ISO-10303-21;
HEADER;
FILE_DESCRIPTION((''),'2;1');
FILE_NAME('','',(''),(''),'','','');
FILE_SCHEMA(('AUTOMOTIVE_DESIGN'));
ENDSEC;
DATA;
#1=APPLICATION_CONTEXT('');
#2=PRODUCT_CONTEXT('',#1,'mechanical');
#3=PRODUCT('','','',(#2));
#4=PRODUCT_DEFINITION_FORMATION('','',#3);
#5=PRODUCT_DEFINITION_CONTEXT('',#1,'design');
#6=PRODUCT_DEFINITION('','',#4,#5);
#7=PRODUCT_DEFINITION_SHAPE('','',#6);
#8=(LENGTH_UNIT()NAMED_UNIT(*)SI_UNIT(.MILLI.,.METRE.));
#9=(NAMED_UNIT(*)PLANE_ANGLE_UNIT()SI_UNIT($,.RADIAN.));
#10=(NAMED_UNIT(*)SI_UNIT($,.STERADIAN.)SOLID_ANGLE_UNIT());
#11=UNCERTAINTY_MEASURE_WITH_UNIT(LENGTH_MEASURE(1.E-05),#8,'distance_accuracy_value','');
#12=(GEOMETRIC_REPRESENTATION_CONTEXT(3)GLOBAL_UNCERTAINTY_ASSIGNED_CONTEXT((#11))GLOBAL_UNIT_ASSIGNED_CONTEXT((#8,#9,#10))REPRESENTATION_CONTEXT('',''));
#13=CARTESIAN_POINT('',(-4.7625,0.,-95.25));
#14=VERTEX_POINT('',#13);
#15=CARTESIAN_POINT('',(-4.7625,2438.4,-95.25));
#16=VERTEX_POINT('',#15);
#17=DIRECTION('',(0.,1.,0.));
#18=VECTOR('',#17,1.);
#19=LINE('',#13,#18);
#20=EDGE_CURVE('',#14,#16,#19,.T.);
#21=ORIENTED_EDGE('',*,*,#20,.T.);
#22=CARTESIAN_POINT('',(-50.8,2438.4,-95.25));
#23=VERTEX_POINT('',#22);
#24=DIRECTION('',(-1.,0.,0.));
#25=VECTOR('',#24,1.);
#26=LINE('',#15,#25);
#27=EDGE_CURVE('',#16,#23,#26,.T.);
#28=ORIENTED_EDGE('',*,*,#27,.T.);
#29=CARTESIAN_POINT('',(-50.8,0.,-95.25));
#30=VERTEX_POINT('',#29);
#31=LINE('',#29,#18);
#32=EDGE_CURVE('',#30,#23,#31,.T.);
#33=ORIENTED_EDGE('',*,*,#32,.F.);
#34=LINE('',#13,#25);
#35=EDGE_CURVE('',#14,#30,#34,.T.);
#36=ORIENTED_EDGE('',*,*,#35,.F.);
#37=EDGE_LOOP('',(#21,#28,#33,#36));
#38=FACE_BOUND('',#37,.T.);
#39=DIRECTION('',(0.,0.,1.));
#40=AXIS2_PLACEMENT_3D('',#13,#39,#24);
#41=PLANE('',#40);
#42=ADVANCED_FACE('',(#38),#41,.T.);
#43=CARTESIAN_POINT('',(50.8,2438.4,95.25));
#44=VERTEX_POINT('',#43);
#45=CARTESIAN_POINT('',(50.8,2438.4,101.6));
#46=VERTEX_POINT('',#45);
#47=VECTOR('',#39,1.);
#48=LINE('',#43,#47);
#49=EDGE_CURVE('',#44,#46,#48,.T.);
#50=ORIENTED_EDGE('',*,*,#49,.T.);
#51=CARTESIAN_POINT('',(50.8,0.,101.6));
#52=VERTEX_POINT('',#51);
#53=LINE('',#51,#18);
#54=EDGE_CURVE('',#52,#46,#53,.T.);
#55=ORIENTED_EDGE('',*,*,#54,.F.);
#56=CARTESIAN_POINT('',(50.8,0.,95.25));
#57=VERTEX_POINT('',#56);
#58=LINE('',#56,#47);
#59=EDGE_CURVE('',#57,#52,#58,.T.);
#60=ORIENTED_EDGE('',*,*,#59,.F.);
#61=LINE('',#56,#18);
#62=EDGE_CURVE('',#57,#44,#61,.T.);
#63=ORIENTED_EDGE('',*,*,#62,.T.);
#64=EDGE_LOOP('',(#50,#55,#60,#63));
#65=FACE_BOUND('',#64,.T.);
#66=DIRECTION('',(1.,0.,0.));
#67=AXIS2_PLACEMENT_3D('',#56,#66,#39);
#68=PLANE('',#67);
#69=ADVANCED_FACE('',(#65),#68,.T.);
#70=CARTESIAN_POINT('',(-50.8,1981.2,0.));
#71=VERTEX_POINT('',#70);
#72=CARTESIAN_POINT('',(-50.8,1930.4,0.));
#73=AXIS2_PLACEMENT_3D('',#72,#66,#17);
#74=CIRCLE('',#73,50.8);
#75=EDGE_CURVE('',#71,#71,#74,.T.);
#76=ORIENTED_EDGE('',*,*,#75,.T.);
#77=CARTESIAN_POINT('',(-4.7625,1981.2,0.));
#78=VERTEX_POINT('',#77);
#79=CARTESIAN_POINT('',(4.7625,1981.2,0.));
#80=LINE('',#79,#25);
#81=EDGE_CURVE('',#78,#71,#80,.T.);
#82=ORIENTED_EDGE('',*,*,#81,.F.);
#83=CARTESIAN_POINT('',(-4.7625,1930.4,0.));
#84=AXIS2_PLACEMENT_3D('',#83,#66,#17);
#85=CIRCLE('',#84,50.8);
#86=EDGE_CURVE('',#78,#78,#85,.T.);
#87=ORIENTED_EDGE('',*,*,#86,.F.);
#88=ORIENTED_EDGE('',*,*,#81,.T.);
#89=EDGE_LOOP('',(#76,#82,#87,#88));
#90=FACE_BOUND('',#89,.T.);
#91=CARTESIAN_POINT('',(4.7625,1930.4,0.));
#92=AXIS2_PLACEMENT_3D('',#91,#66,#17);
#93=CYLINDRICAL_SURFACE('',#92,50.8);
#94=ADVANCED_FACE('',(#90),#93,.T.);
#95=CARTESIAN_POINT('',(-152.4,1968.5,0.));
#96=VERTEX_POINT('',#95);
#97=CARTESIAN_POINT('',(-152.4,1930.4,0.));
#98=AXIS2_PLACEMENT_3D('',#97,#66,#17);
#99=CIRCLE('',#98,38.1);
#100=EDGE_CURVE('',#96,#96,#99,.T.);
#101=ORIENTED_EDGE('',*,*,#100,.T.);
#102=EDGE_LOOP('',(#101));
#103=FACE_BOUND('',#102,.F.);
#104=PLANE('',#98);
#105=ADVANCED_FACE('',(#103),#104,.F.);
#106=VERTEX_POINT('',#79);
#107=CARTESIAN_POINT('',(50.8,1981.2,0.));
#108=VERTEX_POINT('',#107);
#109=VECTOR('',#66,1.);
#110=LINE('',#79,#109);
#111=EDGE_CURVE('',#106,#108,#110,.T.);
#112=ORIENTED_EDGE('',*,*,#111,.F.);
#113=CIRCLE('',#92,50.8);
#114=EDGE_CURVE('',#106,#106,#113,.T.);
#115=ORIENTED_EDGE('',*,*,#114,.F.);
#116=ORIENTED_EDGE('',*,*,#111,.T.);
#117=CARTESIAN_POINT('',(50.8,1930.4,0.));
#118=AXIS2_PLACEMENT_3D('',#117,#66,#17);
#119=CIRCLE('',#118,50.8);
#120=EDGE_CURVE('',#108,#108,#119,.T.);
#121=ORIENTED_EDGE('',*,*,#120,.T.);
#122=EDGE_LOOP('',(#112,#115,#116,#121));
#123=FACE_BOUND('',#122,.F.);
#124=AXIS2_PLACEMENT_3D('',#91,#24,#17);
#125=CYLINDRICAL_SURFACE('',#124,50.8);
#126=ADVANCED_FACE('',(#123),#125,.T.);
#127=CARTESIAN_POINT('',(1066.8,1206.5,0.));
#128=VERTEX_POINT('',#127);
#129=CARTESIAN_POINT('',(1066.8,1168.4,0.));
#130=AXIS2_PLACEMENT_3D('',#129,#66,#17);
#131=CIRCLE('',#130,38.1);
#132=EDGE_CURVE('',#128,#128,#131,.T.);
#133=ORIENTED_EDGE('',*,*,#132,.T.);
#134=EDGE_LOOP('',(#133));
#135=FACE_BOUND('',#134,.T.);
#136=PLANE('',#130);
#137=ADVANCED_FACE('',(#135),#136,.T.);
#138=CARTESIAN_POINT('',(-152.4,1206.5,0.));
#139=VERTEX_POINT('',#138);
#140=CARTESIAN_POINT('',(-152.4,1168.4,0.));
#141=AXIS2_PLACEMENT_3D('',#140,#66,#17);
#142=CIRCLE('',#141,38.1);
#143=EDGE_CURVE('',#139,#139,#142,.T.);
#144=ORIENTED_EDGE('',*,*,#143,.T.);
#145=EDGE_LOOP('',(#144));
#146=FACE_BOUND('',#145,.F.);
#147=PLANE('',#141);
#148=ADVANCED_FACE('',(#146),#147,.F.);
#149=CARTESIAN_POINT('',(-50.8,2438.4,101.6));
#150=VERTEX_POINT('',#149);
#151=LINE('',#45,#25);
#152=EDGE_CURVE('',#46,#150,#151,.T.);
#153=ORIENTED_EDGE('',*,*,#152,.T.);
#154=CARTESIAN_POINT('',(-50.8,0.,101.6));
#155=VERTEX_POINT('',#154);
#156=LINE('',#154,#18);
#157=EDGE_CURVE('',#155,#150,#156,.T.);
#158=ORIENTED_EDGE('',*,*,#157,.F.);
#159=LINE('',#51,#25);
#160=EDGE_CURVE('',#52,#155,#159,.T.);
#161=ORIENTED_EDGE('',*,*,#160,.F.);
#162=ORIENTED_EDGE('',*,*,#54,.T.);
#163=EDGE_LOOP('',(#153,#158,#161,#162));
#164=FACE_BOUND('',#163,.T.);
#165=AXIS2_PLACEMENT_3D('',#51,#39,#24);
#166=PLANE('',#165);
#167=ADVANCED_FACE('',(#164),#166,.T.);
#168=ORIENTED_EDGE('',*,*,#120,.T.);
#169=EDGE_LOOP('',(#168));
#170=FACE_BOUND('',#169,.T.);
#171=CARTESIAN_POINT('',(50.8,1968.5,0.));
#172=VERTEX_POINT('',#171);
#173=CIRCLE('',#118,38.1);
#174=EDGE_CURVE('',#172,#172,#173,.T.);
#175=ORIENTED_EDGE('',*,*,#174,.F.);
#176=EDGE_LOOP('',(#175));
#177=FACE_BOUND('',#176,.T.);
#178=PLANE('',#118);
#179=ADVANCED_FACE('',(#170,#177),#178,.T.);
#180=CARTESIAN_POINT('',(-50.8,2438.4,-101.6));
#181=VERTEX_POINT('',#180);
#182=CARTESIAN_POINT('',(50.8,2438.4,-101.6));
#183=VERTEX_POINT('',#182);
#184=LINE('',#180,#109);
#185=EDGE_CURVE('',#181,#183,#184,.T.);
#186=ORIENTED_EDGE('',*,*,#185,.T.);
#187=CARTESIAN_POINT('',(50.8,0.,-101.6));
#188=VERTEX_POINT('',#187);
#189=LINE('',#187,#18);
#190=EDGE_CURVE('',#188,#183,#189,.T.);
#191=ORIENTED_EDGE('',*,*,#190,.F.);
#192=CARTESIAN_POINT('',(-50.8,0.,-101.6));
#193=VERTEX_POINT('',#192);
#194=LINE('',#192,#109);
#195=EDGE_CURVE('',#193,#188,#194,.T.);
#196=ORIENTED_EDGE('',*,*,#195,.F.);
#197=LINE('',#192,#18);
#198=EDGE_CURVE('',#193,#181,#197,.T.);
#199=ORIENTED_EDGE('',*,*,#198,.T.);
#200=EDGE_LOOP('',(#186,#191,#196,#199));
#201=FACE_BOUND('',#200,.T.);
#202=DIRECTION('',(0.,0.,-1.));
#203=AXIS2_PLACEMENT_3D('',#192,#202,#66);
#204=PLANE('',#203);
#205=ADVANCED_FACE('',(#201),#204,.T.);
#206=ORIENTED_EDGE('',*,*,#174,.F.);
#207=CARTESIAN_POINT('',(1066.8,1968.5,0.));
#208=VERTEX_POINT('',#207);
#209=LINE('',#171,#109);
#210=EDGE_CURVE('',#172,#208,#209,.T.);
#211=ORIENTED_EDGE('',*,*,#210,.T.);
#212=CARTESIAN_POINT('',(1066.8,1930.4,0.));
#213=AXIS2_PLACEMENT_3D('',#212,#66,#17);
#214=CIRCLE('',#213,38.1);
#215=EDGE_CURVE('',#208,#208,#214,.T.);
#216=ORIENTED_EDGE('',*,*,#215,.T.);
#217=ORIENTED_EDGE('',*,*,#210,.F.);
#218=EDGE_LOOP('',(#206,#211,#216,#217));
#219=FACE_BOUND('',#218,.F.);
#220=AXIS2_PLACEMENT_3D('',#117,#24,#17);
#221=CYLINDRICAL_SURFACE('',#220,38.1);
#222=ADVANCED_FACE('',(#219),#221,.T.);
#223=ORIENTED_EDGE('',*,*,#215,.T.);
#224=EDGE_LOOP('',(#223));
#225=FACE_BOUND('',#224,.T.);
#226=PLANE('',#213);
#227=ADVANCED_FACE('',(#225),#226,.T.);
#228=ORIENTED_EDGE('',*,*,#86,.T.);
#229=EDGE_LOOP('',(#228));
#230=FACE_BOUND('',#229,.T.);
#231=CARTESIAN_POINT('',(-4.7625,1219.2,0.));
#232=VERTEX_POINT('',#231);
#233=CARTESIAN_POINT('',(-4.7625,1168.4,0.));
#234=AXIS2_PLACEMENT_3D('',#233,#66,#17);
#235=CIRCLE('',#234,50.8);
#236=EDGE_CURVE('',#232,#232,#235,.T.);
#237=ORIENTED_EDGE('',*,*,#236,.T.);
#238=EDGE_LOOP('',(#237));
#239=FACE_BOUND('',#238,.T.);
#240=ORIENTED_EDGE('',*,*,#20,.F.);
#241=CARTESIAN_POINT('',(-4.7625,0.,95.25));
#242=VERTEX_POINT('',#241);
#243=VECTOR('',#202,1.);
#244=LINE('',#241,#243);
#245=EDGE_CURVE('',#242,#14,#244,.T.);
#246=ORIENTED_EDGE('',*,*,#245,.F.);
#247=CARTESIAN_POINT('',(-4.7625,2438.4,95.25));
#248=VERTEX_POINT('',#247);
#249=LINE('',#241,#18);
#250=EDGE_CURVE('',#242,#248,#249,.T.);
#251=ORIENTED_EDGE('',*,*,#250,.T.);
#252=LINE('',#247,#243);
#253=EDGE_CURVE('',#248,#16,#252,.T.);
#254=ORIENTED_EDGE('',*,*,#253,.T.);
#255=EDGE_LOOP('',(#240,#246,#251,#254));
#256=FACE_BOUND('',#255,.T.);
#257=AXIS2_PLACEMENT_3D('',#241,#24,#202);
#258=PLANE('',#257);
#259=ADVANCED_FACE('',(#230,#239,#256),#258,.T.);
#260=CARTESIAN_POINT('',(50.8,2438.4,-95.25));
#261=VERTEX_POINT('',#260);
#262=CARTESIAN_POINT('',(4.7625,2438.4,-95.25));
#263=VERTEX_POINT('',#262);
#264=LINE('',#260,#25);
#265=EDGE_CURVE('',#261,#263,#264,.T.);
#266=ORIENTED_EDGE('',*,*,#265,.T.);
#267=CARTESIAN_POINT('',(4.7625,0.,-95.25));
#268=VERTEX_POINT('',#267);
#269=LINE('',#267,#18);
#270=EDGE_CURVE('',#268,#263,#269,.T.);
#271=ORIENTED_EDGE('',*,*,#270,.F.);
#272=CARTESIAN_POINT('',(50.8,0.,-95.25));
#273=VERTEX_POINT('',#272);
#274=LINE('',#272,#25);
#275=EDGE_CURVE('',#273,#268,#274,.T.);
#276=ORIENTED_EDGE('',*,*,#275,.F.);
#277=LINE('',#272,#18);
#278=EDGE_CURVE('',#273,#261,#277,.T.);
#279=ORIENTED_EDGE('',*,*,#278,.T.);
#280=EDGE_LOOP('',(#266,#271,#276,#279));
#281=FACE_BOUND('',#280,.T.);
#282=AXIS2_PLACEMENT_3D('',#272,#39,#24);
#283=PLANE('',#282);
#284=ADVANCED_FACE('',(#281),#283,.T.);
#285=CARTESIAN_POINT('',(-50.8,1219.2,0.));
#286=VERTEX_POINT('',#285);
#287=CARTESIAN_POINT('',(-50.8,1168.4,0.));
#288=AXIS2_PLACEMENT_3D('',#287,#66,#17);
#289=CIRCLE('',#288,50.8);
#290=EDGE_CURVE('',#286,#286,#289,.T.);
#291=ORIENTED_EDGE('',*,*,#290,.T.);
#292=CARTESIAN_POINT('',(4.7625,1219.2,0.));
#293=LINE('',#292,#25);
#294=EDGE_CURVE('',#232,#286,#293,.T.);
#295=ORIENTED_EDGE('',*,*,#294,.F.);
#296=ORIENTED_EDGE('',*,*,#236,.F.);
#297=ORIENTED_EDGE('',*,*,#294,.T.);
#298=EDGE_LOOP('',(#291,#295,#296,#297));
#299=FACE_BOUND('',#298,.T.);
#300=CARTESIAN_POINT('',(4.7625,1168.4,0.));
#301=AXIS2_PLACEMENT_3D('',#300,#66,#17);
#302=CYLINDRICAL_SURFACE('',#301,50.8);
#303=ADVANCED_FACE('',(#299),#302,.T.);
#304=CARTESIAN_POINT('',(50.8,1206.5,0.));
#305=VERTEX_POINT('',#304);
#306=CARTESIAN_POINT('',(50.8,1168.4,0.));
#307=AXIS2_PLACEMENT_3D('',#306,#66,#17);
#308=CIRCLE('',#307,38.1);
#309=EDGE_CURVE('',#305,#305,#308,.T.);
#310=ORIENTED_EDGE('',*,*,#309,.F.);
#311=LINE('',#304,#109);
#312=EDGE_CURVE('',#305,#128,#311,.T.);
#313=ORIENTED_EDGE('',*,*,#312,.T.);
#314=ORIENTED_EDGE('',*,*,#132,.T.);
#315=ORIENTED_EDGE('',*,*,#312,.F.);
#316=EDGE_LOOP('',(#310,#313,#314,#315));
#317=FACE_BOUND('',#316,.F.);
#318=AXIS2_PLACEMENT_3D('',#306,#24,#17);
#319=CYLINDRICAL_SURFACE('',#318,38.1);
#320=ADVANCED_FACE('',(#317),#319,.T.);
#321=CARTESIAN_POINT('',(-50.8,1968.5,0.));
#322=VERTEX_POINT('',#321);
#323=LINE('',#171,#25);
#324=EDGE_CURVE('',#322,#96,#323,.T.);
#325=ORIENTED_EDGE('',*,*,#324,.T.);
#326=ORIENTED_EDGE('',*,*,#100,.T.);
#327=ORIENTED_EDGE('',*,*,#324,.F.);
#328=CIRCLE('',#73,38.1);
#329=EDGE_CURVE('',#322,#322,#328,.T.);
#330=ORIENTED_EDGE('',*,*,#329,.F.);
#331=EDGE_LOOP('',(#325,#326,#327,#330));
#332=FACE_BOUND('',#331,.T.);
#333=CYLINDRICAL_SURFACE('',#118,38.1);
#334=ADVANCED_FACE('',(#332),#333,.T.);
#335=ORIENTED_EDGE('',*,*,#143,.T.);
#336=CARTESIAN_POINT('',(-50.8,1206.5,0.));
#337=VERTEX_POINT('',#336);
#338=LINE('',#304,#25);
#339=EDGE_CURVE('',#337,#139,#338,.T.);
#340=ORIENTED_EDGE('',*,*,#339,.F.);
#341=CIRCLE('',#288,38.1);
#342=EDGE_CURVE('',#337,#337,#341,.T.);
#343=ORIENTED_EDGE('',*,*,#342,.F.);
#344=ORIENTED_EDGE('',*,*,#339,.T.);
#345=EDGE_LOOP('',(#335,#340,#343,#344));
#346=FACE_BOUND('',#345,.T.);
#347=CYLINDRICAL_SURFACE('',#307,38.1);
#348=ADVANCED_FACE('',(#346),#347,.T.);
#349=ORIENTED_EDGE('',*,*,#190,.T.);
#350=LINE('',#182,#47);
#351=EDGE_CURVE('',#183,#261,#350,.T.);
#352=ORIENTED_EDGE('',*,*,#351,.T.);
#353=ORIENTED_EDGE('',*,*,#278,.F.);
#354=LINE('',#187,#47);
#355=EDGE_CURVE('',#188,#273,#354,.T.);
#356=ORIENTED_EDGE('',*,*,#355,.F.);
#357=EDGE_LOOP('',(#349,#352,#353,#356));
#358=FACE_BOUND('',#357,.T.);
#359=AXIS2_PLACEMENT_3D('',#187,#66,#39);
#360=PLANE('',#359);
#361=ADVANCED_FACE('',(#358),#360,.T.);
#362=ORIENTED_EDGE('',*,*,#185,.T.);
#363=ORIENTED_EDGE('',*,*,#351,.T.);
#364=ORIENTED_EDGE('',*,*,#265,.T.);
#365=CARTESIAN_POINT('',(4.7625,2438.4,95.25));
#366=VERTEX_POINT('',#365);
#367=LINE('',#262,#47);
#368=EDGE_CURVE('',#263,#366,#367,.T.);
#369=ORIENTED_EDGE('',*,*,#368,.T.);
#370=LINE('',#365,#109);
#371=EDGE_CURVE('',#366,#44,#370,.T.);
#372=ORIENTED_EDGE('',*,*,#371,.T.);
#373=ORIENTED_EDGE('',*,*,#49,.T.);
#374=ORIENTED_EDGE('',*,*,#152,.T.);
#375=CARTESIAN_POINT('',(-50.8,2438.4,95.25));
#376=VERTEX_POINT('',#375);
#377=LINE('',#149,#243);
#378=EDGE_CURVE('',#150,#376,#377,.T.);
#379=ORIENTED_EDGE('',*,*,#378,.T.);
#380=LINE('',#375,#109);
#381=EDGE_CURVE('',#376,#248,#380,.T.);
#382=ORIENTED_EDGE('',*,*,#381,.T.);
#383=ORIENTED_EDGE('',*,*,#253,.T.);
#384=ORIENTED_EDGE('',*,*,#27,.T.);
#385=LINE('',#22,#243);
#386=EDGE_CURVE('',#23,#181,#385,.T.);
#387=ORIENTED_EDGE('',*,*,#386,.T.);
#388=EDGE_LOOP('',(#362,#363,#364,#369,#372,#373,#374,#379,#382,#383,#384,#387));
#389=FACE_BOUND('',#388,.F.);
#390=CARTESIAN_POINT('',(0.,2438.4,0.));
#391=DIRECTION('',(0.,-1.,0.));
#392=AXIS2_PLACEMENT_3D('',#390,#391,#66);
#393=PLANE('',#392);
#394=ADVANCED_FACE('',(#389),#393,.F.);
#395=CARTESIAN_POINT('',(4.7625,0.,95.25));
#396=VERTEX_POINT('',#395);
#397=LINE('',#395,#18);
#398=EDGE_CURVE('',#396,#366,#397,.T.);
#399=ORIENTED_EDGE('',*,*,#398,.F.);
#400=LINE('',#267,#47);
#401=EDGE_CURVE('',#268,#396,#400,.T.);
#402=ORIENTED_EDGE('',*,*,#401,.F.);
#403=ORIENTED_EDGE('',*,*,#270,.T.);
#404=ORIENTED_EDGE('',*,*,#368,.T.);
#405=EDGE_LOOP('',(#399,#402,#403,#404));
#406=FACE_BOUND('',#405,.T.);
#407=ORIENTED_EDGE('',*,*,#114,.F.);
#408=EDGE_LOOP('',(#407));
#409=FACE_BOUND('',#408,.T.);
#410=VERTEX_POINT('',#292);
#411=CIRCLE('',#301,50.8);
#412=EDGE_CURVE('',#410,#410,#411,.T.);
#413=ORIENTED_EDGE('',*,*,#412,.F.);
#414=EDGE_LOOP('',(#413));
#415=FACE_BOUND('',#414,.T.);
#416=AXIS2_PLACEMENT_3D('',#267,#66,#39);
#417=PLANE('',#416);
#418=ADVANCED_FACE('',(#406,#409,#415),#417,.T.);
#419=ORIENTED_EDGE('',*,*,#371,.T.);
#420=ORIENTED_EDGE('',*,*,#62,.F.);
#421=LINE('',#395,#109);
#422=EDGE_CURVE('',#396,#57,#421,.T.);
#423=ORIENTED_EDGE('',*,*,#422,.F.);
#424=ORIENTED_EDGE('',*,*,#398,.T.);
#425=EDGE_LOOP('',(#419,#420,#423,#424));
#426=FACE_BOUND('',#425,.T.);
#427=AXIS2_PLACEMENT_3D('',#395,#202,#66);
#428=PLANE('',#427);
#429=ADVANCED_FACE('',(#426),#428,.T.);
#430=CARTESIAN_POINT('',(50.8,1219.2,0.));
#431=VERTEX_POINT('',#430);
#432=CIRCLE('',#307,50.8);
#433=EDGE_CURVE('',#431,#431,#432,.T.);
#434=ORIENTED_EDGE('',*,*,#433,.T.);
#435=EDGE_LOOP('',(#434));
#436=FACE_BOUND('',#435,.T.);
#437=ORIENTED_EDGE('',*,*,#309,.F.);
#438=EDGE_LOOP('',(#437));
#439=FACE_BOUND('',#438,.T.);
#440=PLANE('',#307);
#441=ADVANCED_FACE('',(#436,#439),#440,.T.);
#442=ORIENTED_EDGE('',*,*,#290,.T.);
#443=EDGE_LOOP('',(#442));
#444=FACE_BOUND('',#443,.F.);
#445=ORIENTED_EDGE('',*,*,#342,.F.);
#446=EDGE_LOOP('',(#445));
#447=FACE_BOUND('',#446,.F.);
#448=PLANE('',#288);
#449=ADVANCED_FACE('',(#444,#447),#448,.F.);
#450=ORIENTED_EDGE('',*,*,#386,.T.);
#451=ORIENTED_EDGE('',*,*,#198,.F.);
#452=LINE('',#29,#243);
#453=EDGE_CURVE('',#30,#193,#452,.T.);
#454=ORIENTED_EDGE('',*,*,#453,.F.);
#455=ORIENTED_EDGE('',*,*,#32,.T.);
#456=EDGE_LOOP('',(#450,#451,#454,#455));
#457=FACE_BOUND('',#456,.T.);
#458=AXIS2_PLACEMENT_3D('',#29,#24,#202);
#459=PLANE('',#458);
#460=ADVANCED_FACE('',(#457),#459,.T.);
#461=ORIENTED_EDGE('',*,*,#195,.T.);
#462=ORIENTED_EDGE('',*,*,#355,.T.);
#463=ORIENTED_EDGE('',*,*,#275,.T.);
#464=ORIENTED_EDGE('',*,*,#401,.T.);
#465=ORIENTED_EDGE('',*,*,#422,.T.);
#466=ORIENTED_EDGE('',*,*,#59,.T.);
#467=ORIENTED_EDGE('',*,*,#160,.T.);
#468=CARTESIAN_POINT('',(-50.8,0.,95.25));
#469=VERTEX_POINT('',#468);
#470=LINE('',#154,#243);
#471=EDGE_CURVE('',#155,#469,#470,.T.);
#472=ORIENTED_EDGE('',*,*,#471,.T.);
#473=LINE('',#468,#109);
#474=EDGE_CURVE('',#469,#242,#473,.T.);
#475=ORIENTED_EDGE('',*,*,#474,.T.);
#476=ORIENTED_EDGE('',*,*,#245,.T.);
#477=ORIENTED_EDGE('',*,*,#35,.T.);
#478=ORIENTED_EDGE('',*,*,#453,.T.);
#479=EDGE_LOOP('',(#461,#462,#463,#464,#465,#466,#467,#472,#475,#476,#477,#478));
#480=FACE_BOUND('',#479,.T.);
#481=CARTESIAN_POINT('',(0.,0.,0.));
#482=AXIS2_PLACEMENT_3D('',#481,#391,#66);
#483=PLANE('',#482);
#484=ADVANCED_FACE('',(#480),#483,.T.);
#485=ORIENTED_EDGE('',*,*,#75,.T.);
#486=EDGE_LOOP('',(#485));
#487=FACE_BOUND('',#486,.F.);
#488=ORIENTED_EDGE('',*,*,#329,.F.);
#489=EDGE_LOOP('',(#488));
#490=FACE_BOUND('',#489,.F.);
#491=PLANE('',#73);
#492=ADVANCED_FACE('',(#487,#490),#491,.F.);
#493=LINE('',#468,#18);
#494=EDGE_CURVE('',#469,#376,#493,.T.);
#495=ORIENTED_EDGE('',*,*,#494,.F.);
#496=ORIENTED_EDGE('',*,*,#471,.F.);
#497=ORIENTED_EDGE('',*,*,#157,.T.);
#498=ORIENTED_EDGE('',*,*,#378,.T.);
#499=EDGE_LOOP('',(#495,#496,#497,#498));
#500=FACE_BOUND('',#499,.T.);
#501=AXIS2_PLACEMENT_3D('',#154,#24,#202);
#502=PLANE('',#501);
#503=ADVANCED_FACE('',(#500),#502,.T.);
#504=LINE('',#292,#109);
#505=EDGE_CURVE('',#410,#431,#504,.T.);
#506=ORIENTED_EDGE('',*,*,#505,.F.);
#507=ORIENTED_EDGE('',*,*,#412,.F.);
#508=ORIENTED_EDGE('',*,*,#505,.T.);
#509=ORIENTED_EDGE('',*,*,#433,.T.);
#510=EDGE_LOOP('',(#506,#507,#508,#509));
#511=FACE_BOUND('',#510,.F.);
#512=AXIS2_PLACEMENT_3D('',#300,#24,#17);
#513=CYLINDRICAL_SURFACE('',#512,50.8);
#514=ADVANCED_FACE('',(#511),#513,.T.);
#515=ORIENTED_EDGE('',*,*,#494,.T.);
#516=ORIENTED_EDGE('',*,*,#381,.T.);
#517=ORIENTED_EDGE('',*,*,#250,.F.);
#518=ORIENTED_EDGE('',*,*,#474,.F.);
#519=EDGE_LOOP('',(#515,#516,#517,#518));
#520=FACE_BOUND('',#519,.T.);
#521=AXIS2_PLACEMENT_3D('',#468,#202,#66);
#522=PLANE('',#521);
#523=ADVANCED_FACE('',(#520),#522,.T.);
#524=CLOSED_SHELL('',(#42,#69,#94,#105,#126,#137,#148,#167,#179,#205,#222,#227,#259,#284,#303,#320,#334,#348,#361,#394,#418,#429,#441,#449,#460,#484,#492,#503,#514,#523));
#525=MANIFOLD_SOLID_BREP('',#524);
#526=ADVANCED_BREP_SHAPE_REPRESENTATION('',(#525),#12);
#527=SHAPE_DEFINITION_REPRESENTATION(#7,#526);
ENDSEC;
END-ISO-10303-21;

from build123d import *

# Parameters (mm, degrees)
F1_DEPTH      = 2438.4
F2_R          = 50.8
F3_DEPTH      = 55.5635
F4_R          = 50.8
F4_R_2        = 38.1
F5_DEPTH      = 46.0375
F5_DEPTH_BACK = 55.5625
F6_R          = 38.1
F7_DEPTH      = 1016
F7_DEPTH_BACK = 203.2


with BuildPart() as f1:
    # F0 (on Front) → F1 (new body)
    with BuildSketch(Plane.XZ):
        Polygon((-50.8, -101.6), (50.8, -101.6), (50.8, -95.25), (4.7625, -95.25), (4.7625, 95.25), (50.8, 95.25), (50.8, 101.6), (-50.8, 101.6), (-50.8, 95.25), (-4.7625, 95.25), (-4.7625, -95.25), (-50.8, -95.25), align=None)
    extrude(amount=-F1_DEPTH)

    # F2 (on face) → F3 (cut, through all)
    with BuildSketch(Plane.YZ.offset(4.7625)):
        with Locations((1168.4, 0)):
            Circle(F2_R)
        with Locations((1930.4, 0)):
            Circle(F2_R)
    extrude(amount=-F3_DEPTH, mode=Mode.SUBTRACT)

    # F4 (on face) → F5 (join, two sides)
    with BuildSketch(Plane.YZ.offset(4.7625)) as f5_sk:
        with Locations((1168.4, 0)):
            Circle(F4_R)
        with Locations((1168.4, 0)):
            Circle(F4_R_2, mode=Mode.SUBTRACT)
        with Locations((1930.4, 0)):
            Circle(F4_R)
        with Locations((1930.4, 0)):
            Circle(F4_R_2, mode=Mode.SUBTRACT)
    extrude(amount=F5_DEPTH)
    extrude(f5_sk.sketch, amount=-F5_DEPTH_BACK)

    # F6 (on face) → F7 (join, two sides)
    with BuildSketch(Plane.YZ.offset(50.8)) as f7_sk:
        with Locations((1168.4, 0)):
            Circle(F6_R)
        with Locations((1930.4, 0)):
            Circle(F6_R)
    extrude(amount=F7_DEPTH)
    extrude(f7_sk.sketch, amount=-F7_DEPTH_BACK)


solid = f1.part
